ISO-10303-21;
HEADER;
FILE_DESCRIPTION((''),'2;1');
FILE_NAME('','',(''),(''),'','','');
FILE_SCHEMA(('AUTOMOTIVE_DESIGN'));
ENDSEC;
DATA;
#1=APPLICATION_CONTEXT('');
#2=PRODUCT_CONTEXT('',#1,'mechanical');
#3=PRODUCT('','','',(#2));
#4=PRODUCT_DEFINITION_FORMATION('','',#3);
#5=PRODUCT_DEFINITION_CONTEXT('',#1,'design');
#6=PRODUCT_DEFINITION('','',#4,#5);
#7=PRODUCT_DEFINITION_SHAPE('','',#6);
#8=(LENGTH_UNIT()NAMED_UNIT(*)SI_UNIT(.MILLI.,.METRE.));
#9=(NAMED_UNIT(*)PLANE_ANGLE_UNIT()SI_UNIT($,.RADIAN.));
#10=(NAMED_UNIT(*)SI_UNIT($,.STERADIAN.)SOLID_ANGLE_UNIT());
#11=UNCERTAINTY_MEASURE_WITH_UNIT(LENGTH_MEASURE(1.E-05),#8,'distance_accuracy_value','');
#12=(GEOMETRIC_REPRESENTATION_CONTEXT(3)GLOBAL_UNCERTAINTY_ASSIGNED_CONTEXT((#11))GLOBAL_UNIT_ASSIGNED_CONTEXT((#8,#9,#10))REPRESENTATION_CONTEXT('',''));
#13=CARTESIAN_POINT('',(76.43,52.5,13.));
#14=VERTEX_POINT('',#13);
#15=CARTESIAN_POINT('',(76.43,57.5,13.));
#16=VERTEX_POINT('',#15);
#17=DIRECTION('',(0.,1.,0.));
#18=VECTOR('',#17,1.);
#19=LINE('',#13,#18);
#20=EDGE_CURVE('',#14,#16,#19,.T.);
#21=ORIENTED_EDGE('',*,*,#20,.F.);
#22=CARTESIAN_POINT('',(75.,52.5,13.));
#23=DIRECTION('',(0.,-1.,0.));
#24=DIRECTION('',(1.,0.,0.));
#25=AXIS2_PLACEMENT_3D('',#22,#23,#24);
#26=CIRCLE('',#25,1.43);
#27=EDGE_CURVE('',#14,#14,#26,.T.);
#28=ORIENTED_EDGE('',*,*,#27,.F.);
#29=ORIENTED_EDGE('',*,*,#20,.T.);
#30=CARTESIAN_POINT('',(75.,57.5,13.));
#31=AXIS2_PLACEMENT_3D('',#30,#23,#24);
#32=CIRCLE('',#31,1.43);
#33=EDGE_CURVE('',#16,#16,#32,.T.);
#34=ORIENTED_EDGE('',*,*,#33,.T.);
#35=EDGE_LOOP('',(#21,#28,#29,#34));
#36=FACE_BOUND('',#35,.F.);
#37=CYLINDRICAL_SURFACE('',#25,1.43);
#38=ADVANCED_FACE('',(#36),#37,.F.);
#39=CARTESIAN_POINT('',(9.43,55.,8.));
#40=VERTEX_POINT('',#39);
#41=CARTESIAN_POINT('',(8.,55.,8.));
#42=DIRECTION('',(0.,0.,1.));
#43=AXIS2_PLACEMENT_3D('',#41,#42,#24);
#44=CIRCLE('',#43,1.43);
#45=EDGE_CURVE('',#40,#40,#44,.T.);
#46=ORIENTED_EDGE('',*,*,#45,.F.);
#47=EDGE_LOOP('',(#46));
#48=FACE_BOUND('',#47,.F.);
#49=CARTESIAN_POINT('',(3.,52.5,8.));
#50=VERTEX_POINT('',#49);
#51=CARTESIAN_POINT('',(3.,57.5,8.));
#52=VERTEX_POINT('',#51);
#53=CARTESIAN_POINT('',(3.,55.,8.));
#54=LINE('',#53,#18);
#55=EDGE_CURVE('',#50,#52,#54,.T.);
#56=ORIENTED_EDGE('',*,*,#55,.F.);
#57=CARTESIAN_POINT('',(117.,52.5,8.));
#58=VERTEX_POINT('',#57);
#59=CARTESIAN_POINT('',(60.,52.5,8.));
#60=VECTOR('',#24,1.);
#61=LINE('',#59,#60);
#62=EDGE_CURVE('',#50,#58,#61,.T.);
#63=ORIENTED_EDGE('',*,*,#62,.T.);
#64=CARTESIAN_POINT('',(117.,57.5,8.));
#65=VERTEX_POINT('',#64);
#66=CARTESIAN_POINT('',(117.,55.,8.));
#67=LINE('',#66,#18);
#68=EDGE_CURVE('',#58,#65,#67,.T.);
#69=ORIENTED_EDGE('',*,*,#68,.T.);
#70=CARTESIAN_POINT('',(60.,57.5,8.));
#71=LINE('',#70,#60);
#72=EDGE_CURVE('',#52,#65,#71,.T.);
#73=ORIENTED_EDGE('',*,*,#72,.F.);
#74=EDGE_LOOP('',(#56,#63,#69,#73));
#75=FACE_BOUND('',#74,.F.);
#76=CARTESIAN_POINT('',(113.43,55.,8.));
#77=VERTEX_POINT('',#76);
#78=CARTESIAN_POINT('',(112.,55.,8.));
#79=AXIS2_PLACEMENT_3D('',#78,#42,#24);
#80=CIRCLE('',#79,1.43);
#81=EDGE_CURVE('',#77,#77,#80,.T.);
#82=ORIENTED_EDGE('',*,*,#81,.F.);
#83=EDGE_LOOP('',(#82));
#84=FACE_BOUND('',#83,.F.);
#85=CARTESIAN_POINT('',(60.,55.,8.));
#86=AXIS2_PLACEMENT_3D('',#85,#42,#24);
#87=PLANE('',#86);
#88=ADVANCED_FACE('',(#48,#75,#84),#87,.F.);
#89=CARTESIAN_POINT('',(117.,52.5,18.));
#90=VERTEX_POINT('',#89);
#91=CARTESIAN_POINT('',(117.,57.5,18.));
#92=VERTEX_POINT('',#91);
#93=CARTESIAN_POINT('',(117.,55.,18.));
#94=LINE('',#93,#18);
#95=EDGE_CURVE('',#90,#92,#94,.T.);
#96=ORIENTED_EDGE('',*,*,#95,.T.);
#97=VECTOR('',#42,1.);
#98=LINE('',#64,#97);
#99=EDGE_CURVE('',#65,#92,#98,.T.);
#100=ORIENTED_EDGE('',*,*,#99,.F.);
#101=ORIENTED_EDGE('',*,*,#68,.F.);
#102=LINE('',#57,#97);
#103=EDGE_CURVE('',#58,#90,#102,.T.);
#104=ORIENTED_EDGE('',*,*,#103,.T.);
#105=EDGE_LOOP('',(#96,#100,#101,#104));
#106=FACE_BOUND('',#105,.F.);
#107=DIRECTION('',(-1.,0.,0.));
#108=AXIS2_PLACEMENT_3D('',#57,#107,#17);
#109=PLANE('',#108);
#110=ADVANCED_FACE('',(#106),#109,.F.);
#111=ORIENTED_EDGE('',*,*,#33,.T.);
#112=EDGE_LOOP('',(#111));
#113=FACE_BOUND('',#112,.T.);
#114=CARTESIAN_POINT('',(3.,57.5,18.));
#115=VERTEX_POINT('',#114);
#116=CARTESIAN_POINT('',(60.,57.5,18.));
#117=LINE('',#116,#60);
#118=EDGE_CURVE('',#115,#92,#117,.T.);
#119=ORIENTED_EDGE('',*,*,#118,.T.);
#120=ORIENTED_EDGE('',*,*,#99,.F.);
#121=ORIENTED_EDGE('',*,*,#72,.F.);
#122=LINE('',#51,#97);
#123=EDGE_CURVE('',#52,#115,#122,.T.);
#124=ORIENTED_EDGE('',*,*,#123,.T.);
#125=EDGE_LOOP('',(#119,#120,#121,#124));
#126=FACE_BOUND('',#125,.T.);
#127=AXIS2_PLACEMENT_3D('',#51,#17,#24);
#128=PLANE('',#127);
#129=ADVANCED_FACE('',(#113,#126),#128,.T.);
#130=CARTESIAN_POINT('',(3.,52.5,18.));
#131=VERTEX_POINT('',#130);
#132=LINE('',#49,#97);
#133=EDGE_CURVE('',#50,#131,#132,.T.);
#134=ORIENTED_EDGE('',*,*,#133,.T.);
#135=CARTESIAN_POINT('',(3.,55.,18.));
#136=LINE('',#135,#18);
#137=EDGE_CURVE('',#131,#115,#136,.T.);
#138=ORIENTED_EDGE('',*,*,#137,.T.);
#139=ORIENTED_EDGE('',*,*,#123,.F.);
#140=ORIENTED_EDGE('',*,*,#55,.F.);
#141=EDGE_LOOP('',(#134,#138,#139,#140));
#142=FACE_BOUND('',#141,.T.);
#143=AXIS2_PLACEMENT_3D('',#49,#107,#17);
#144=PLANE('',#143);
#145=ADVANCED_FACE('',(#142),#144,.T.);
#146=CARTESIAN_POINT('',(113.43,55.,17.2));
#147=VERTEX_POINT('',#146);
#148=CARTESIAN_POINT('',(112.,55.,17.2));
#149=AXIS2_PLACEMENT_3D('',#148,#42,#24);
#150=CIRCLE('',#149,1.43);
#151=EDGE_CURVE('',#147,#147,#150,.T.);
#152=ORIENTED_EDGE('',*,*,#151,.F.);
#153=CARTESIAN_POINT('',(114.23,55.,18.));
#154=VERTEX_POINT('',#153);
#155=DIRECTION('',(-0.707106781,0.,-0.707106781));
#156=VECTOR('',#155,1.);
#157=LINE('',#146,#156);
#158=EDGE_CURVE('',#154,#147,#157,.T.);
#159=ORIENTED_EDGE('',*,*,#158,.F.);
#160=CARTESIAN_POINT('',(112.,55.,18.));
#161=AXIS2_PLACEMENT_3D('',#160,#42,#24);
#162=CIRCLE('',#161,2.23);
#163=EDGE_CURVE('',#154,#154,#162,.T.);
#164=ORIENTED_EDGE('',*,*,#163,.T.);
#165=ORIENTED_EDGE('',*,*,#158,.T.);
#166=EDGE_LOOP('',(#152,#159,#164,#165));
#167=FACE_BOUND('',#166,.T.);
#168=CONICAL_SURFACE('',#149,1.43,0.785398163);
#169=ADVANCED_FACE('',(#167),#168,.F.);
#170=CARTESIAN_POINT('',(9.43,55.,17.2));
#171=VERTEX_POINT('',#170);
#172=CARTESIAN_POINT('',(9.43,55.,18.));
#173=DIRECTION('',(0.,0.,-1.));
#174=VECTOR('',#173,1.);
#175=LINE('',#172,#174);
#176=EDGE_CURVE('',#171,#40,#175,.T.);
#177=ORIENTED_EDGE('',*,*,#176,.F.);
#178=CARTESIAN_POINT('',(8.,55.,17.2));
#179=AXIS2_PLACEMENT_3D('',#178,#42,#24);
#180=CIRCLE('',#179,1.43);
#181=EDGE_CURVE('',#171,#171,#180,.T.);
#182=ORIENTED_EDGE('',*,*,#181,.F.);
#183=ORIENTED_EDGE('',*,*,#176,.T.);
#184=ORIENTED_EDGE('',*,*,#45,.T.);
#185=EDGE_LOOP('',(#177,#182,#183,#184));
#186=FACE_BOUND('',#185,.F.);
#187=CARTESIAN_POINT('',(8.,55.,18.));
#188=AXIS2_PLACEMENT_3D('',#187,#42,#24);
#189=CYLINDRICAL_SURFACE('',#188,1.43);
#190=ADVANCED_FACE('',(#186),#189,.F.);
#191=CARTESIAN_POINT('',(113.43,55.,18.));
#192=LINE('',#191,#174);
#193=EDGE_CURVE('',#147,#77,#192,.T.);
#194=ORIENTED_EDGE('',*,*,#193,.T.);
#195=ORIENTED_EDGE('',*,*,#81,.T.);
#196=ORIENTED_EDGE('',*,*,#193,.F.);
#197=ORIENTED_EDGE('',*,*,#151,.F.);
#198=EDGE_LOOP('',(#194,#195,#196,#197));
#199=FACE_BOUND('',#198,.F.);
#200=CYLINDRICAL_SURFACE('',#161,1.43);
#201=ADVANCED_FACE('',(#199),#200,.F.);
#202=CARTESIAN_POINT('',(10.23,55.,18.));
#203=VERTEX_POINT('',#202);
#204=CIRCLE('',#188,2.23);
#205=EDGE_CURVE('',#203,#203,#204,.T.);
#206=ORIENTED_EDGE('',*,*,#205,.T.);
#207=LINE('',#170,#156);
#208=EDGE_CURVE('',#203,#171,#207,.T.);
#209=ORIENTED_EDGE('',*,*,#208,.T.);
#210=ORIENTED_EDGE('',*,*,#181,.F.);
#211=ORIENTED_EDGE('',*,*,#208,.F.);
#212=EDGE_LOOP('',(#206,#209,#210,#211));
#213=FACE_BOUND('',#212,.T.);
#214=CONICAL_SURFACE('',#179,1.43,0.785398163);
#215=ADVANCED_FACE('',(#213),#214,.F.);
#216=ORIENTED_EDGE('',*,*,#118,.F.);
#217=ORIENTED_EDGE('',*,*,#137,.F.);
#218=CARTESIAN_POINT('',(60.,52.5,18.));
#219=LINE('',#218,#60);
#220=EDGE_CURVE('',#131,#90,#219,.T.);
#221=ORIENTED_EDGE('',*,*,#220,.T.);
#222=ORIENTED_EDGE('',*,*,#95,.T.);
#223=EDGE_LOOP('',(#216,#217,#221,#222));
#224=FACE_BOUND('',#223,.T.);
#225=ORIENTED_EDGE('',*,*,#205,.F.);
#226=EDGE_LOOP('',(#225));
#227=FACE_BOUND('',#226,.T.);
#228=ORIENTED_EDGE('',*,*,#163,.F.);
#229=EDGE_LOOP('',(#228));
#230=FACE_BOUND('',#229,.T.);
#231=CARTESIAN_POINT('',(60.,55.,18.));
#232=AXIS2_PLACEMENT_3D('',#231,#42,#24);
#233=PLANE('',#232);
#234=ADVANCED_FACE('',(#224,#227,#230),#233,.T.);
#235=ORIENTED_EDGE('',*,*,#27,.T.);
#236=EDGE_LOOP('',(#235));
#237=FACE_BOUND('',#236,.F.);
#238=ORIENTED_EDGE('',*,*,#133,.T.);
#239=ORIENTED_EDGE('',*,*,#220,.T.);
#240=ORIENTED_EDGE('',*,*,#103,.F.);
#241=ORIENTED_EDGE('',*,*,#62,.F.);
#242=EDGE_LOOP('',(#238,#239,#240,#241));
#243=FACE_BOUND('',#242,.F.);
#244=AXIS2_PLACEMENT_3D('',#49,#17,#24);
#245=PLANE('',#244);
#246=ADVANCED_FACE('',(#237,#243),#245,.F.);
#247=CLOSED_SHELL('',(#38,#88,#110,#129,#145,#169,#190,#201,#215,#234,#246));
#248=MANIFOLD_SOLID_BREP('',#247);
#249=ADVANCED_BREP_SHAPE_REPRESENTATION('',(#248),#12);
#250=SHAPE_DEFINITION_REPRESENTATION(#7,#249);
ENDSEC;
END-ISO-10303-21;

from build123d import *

# Parameters (mm, degrees)
SKETCH006_W     = 114
SKETCH006_H     = 5
PAD002_DEPTH    = 10
SKETCH007_R     = 1.43
POCKET004_DEPTH = 10
CHAMFER001_SIZE = 0.8
SKETCH010_R     = 1.43
POCKET007_DEPTH = 5


with BuildPart() as part:
    # Sketch006 → Pad002 (new body)
    with BuildSketch(Plane.XY):
        with Locations((60, 45)):
            Rectangle(SKETCH006_W, SKETCH006_H)
    extrude(amount=PAD002_DEPTH)

    # Sketch007 (on Face6 of Pad002) → Pocket004 (cut)
    with BuildSketch(Plane.XY.offset(10)):
        with Locations((8, 45)):
            Circle(SKETCH007_R)
        with Locations((112, 45)):
            Circle(SKETCH007_R)
    extrude(amount=-POCKET004_DEPTH, mode=Mode.SUBTRACT)

    # Chamfer001
    chamfer001_edges = [part.edges().sort_by_distance(p)[0] for p in [
        (110.57, 45, 10),
        (6.57, 45, 10),
    ]]
    chamfer(chamfer001_edges, length=CHAMFER001_SIZE)

    # Sketch010 (on Face6 of Chamfer001) → Pocket007 (cut)
    with BuildSketch(Plane.XZ.offset(-42.5)):
        with Locations((75, 5)):
            Circle(SKETCH010_R)
    extrude(amount=-POCKET007_DEPTH, mode=Mode.SUBTRACT)


with BuildPart() as part_1:
    # Body002 placement: moved
    add(part.part.moved(Location((0, 10, 8))))


solid = part_1.part
